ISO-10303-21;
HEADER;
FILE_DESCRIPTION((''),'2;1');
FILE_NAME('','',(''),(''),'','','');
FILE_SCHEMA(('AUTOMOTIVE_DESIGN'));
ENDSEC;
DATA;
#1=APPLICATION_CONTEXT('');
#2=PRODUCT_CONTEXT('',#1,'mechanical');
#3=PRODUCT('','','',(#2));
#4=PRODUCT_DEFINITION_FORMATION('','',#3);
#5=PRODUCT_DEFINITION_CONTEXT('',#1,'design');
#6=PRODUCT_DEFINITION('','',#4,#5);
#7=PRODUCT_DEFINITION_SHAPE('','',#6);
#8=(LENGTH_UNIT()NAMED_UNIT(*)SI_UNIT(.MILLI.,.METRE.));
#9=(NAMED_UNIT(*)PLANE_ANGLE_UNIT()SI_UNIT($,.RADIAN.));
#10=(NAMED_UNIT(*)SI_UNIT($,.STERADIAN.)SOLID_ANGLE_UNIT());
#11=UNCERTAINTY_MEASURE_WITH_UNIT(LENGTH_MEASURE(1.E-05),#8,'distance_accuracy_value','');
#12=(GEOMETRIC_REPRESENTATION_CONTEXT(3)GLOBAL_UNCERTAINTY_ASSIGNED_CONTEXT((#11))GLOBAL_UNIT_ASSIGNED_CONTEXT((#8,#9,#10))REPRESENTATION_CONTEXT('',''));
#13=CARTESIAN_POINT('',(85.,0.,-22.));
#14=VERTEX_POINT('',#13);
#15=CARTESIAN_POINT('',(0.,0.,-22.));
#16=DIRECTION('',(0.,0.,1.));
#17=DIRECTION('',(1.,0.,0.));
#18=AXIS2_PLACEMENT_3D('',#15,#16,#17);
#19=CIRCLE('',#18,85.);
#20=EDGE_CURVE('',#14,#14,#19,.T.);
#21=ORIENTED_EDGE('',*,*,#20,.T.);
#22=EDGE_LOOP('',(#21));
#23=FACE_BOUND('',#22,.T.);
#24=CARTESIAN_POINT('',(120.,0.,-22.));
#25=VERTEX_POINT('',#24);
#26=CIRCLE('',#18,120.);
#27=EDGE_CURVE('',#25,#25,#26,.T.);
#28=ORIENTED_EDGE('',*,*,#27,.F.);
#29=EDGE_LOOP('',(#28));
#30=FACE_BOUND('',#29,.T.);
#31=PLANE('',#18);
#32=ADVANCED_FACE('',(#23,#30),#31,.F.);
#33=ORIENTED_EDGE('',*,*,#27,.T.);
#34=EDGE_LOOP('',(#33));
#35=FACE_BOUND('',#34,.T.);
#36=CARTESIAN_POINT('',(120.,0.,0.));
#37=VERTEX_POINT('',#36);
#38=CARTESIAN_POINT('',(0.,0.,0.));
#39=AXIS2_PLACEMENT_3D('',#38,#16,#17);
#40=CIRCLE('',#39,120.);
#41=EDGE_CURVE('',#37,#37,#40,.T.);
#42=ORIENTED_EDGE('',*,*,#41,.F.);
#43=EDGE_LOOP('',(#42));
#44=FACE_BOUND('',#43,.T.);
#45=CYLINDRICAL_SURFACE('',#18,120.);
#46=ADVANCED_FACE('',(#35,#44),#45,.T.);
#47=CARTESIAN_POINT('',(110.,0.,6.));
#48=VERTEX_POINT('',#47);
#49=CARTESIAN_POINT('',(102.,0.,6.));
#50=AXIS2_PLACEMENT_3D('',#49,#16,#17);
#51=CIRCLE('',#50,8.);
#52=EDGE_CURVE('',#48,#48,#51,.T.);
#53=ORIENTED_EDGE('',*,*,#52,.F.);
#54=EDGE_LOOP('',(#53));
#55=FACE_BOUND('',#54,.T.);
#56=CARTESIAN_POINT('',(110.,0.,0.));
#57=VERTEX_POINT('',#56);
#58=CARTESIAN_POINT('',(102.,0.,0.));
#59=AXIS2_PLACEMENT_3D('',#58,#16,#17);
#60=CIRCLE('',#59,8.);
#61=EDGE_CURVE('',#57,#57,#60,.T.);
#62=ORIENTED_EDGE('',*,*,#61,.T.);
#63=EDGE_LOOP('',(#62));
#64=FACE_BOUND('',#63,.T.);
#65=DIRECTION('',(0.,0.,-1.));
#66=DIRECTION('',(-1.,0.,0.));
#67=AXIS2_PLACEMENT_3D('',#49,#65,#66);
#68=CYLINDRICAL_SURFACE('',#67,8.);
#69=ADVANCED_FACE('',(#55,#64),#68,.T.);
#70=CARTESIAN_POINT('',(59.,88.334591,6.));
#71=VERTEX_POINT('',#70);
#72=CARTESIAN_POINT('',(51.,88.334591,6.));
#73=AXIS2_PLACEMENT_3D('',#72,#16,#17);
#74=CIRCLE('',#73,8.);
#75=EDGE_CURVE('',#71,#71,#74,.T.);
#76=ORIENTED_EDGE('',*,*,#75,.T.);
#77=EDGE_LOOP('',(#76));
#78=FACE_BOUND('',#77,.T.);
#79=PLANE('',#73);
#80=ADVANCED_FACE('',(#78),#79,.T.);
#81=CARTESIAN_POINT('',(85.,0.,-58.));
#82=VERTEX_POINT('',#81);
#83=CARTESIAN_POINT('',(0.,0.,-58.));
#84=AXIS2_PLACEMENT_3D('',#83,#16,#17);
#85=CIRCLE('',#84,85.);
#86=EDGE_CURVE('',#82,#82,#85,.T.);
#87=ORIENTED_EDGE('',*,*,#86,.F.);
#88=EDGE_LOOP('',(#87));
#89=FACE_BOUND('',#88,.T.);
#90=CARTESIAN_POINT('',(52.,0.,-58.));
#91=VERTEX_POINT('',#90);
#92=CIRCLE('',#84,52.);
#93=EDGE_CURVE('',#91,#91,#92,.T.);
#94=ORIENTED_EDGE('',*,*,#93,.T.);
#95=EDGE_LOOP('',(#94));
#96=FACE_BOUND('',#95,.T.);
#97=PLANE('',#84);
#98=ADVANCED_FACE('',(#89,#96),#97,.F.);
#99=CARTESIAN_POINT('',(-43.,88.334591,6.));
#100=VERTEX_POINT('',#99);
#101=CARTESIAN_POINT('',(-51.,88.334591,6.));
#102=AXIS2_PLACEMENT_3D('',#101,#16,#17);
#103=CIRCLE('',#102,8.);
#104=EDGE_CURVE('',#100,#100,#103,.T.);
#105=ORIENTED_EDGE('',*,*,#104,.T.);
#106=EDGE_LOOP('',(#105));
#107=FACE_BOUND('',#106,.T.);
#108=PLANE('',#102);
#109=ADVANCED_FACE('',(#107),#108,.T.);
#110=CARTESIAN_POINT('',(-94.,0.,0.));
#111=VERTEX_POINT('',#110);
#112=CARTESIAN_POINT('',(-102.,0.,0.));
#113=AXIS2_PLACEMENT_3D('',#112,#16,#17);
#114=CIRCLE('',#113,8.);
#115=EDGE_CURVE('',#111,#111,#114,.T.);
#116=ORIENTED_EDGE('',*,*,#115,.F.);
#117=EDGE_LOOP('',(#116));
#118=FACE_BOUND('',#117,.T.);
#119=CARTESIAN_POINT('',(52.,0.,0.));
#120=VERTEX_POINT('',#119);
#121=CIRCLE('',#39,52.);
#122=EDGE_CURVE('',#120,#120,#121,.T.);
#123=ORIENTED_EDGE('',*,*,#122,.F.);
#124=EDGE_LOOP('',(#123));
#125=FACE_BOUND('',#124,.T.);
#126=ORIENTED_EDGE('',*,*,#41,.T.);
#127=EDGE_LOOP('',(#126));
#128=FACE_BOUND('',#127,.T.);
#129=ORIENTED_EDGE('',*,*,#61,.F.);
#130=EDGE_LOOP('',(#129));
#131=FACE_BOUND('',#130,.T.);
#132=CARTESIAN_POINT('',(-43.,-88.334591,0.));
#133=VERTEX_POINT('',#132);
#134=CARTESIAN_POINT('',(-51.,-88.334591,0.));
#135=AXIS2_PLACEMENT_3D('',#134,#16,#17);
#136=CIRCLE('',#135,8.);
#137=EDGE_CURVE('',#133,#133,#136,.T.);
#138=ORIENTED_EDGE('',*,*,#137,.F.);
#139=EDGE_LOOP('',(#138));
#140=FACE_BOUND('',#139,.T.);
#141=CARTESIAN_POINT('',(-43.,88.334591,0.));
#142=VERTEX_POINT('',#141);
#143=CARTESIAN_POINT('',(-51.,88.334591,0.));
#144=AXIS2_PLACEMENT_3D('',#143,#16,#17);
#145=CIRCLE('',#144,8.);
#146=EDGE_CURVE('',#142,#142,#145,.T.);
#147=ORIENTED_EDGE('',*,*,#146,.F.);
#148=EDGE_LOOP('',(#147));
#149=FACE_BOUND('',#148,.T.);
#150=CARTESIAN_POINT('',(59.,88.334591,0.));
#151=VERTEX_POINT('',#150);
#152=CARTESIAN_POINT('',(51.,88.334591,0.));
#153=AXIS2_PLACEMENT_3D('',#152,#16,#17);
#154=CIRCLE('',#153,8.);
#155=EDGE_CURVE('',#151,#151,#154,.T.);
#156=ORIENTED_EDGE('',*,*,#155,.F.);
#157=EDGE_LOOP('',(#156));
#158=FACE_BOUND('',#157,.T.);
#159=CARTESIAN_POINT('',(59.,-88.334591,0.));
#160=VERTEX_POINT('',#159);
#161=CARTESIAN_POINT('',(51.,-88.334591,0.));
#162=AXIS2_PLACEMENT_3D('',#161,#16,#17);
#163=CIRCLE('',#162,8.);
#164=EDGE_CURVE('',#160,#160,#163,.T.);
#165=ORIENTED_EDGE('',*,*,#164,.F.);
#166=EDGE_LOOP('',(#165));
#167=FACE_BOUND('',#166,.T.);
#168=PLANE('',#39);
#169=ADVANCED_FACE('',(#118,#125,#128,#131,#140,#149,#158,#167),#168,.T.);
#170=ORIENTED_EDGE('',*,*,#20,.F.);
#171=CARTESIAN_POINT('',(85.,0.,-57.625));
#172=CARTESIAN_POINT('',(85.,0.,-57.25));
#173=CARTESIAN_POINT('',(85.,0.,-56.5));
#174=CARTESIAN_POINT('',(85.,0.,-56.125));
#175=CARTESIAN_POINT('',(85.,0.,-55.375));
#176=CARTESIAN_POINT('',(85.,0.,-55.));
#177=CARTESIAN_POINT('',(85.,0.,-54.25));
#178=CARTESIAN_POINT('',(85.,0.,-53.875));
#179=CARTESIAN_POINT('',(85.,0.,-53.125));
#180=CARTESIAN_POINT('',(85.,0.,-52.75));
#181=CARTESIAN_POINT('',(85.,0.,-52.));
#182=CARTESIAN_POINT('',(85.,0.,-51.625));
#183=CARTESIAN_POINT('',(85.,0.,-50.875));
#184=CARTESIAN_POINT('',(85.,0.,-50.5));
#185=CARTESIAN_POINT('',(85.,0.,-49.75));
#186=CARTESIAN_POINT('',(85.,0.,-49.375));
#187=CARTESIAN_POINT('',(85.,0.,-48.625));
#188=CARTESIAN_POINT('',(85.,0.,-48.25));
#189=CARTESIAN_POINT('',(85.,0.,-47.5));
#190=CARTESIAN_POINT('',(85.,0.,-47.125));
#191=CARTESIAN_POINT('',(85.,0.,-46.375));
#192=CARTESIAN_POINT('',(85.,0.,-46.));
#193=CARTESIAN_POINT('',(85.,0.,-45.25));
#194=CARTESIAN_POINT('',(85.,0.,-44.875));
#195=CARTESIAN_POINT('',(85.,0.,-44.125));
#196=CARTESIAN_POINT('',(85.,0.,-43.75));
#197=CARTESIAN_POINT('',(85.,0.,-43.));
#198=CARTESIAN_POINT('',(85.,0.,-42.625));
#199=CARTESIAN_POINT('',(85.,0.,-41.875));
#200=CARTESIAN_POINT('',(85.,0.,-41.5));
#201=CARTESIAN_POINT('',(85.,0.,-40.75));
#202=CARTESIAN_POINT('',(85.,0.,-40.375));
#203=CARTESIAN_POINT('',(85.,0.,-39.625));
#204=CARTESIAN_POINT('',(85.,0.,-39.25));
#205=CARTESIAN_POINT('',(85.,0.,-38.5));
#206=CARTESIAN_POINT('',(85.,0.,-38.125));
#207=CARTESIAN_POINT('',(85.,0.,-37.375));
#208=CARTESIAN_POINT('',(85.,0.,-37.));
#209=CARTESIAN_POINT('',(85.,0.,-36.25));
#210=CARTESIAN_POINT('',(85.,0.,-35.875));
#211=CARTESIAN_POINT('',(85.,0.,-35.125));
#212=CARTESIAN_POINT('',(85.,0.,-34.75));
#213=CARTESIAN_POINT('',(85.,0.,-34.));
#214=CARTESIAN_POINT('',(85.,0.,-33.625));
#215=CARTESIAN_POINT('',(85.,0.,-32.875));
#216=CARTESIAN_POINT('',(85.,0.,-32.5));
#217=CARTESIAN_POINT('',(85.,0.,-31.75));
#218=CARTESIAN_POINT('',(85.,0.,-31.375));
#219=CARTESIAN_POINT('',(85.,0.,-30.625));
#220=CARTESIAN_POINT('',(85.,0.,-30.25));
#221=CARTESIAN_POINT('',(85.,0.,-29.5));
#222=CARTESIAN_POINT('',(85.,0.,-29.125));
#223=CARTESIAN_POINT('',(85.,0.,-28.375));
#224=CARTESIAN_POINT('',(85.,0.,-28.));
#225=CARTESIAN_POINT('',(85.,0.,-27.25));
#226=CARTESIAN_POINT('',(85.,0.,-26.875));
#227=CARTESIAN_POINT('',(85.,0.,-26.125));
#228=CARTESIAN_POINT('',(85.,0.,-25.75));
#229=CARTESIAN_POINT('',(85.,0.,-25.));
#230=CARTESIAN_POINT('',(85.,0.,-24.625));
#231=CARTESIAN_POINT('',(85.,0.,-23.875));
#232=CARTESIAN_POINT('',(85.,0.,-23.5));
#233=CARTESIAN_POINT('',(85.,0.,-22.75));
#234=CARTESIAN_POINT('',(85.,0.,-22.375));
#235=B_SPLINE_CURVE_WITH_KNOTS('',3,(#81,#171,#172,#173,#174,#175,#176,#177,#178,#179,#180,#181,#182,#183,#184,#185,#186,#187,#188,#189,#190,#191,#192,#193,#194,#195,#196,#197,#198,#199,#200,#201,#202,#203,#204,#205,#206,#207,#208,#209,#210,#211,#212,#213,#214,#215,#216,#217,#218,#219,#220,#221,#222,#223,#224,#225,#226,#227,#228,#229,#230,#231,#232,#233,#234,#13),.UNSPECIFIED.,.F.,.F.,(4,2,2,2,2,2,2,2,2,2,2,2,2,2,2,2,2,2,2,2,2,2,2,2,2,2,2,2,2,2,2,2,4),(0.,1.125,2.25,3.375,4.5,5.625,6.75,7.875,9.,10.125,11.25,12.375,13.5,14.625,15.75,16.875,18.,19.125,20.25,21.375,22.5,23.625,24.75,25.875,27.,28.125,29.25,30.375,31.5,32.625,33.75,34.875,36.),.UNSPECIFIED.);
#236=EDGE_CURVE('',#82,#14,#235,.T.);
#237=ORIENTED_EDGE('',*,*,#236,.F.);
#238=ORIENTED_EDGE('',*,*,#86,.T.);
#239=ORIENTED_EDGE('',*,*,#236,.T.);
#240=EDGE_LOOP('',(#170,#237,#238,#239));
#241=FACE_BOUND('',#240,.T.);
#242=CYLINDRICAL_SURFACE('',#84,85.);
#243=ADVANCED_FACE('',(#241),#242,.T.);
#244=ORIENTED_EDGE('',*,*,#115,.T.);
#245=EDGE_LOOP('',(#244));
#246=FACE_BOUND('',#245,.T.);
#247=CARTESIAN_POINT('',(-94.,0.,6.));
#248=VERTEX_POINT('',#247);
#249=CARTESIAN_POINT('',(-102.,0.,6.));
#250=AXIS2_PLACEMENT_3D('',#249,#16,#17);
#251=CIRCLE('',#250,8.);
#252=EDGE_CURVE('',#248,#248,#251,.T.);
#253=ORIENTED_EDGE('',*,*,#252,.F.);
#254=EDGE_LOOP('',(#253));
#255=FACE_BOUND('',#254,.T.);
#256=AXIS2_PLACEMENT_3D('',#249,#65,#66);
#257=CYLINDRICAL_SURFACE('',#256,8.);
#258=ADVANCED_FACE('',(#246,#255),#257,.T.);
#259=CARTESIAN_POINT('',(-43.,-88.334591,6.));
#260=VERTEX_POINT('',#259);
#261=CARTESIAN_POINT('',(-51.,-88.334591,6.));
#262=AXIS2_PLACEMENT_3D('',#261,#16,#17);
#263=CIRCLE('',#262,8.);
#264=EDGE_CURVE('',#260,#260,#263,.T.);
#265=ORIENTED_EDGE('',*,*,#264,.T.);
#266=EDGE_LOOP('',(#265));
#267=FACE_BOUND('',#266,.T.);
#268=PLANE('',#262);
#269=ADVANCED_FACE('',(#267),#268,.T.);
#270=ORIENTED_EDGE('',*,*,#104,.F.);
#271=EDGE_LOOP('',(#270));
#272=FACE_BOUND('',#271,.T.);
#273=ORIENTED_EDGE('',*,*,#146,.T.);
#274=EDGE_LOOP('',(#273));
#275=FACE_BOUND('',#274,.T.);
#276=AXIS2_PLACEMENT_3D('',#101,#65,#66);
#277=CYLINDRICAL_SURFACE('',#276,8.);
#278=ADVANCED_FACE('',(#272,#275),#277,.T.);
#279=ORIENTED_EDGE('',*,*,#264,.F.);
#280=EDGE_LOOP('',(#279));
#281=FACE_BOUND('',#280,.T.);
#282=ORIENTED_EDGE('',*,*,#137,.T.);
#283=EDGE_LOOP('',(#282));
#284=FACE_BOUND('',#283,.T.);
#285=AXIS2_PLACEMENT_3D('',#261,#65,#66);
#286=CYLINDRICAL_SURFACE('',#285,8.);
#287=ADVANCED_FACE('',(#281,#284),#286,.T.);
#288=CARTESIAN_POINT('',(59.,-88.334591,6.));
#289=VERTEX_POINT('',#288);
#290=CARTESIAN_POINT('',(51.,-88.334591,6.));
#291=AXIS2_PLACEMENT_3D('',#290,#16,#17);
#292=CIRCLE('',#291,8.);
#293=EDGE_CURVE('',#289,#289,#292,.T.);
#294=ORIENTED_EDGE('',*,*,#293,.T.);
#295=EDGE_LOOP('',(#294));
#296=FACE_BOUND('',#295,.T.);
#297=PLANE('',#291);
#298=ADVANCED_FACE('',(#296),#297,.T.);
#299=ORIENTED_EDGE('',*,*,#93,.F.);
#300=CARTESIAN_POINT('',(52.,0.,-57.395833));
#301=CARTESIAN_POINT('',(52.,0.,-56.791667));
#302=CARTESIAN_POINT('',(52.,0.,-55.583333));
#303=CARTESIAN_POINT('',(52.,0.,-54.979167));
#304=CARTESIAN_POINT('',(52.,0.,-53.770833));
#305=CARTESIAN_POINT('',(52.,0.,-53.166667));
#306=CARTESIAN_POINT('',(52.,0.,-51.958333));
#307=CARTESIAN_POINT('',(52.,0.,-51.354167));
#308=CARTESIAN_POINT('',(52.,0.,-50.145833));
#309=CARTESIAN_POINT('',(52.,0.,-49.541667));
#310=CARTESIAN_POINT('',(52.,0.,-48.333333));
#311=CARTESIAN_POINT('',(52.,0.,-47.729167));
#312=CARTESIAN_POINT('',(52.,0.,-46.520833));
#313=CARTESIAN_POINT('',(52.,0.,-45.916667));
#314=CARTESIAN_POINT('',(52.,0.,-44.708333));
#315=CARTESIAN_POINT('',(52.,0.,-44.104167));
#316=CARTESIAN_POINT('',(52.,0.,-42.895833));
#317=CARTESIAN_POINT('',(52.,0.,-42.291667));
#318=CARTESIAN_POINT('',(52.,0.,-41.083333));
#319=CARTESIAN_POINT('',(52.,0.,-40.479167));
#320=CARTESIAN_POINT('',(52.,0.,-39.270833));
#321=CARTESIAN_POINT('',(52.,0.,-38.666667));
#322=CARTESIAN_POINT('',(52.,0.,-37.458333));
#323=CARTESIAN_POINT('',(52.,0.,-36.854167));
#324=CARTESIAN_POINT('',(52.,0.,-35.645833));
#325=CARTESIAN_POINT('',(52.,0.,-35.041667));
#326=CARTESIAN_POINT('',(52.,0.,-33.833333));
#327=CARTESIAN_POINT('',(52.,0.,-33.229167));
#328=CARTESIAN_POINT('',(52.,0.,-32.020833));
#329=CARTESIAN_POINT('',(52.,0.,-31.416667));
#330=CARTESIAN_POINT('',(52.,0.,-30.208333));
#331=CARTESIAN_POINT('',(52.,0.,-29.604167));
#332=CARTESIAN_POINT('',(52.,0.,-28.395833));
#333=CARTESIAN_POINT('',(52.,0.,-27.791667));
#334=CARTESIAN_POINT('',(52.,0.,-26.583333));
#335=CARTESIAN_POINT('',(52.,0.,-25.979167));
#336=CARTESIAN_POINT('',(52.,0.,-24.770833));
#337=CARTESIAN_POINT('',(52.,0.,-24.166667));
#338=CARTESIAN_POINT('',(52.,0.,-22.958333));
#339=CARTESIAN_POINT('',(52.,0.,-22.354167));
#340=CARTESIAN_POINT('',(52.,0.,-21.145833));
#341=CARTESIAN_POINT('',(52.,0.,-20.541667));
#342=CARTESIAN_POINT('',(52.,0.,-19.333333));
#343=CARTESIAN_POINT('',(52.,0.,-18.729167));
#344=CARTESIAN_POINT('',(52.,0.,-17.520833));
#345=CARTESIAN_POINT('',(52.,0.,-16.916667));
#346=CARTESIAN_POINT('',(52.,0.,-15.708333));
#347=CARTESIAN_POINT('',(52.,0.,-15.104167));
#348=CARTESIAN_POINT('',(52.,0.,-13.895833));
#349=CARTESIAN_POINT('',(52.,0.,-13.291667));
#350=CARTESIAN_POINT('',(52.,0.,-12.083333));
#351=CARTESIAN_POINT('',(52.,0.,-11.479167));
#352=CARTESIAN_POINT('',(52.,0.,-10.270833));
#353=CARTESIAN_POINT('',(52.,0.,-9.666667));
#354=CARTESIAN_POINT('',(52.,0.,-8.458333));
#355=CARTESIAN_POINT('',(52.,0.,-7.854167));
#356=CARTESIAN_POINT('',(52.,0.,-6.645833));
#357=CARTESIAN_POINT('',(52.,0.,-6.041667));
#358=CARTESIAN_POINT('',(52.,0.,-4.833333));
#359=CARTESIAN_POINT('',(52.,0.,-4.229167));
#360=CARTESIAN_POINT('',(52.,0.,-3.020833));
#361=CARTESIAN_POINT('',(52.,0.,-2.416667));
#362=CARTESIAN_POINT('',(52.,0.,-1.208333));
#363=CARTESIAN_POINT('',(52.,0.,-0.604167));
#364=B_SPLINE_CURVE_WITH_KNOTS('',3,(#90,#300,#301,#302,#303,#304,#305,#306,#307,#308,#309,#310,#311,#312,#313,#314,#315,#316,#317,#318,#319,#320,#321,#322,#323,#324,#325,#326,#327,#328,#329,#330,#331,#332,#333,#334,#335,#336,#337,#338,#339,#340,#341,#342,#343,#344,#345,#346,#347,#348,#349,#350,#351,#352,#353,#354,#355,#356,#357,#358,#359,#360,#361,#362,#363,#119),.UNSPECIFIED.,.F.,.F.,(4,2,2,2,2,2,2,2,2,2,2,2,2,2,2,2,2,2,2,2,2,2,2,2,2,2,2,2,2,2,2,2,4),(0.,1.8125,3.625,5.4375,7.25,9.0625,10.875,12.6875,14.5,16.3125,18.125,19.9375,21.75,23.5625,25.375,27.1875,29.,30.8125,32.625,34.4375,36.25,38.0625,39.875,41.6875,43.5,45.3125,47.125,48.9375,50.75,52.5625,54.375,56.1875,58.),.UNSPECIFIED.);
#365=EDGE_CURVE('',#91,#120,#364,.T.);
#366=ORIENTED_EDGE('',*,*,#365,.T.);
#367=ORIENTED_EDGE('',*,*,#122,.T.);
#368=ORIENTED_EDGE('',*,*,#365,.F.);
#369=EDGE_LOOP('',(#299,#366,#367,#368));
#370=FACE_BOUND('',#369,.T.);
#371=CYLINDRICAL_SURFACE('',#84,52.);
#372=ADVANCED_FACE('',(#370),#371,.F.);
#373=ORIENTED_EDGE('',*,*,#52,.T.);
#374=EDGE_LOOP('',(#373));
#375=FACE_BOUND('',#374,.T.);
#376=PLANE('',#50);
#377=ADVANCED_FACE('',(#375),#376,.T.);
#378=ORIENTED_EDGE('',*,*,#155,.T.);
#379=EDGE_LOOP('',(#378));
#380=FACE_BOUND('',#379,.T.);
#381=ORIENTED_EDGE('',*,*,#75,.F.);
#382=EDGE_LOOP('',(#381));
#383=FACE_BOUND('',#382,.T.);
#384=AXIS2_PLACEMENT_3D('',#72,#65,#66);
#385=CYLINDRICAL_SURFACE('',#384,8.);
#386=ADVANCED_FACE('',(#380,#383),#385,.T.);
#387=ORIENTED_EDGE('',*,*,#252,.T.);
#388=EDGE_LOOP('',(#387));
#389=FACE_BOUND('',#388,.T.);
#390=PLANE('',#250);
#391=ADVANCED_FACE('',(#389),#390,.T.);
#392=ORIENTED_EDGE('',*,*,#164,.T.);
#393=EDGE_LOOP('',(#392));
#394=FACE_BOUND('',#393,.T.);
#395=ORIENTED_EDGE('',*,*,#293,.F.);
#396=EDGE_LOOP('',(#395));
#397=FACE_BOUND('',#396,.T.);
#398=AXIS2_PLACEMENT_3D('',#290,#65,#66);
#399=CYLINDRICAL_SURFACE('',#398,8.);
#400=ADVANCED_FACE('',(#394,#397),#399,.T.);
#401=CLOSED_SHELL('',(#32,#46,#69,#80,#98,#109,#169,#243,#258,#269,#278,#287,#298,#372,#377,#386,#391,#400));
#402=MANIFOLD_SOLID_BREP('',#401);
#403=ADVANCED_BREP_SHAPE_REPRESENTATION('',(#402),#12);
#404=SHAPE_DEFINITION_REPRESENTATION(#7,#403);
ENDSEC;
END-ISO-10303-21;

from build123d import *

# Parameters (mm, degrees)
SKETCH_1_R      = 85
SKETCH_1_R_2    = 52
EXTRUDE_1_DEPTH = 58
SKETCH_2_R      = 120
SKETCH_2_R_2    = 85
EXTRUDE_2_DEPTH = 22
SKETCH_3_R      = 8
EXTRUDE_3_DEPTH = 6


with BuildPart() as part:
    # 草图1 → 凸台-拉伸1 (new body)
    with BuildSketch(Plane.XY):
        Circle(SKETCH_1_R)
        Circle(SKETCH_1_R_2, mode=Mode.SUBTRACT)
    extrude(amount=-EXTRUDE_1_DEPTH)

    # 草图2 → 凸台-拉伸2 (add)
    with BuildSketch(Plane.XY):
        Circle(SKETCH_2_R)
        Circle(SKETCH_2_R_2, mode=Mode.SUBTRACT)
    extrude(amount=-EXTRUDE_2_DEPTH)

    # 草图3 → 凸台-拉伸3 (add)
    with BuildSketch(Plane.XY):
        with Locations((102, 0)):
            Circle(SKETCH_3_R)
        with Locations((51, 88.334591186)):
            Circle(SKETCH_3_R)
        with Locations((-51, 88.334591186)):
            Circle(SKETCH_3_R)
        with Locations((-102, 0)):
            Circle(SKETCH_3_R)
        with Locations((-51, -88.334591186)):
            Circle(SKETCH_3_R)
        with Locations((51, -88.334591186)):
            Circle(SKETCH_3_R)
    extrude(amount=EXTRUDE_3_DEPTH)


solid = part.part
